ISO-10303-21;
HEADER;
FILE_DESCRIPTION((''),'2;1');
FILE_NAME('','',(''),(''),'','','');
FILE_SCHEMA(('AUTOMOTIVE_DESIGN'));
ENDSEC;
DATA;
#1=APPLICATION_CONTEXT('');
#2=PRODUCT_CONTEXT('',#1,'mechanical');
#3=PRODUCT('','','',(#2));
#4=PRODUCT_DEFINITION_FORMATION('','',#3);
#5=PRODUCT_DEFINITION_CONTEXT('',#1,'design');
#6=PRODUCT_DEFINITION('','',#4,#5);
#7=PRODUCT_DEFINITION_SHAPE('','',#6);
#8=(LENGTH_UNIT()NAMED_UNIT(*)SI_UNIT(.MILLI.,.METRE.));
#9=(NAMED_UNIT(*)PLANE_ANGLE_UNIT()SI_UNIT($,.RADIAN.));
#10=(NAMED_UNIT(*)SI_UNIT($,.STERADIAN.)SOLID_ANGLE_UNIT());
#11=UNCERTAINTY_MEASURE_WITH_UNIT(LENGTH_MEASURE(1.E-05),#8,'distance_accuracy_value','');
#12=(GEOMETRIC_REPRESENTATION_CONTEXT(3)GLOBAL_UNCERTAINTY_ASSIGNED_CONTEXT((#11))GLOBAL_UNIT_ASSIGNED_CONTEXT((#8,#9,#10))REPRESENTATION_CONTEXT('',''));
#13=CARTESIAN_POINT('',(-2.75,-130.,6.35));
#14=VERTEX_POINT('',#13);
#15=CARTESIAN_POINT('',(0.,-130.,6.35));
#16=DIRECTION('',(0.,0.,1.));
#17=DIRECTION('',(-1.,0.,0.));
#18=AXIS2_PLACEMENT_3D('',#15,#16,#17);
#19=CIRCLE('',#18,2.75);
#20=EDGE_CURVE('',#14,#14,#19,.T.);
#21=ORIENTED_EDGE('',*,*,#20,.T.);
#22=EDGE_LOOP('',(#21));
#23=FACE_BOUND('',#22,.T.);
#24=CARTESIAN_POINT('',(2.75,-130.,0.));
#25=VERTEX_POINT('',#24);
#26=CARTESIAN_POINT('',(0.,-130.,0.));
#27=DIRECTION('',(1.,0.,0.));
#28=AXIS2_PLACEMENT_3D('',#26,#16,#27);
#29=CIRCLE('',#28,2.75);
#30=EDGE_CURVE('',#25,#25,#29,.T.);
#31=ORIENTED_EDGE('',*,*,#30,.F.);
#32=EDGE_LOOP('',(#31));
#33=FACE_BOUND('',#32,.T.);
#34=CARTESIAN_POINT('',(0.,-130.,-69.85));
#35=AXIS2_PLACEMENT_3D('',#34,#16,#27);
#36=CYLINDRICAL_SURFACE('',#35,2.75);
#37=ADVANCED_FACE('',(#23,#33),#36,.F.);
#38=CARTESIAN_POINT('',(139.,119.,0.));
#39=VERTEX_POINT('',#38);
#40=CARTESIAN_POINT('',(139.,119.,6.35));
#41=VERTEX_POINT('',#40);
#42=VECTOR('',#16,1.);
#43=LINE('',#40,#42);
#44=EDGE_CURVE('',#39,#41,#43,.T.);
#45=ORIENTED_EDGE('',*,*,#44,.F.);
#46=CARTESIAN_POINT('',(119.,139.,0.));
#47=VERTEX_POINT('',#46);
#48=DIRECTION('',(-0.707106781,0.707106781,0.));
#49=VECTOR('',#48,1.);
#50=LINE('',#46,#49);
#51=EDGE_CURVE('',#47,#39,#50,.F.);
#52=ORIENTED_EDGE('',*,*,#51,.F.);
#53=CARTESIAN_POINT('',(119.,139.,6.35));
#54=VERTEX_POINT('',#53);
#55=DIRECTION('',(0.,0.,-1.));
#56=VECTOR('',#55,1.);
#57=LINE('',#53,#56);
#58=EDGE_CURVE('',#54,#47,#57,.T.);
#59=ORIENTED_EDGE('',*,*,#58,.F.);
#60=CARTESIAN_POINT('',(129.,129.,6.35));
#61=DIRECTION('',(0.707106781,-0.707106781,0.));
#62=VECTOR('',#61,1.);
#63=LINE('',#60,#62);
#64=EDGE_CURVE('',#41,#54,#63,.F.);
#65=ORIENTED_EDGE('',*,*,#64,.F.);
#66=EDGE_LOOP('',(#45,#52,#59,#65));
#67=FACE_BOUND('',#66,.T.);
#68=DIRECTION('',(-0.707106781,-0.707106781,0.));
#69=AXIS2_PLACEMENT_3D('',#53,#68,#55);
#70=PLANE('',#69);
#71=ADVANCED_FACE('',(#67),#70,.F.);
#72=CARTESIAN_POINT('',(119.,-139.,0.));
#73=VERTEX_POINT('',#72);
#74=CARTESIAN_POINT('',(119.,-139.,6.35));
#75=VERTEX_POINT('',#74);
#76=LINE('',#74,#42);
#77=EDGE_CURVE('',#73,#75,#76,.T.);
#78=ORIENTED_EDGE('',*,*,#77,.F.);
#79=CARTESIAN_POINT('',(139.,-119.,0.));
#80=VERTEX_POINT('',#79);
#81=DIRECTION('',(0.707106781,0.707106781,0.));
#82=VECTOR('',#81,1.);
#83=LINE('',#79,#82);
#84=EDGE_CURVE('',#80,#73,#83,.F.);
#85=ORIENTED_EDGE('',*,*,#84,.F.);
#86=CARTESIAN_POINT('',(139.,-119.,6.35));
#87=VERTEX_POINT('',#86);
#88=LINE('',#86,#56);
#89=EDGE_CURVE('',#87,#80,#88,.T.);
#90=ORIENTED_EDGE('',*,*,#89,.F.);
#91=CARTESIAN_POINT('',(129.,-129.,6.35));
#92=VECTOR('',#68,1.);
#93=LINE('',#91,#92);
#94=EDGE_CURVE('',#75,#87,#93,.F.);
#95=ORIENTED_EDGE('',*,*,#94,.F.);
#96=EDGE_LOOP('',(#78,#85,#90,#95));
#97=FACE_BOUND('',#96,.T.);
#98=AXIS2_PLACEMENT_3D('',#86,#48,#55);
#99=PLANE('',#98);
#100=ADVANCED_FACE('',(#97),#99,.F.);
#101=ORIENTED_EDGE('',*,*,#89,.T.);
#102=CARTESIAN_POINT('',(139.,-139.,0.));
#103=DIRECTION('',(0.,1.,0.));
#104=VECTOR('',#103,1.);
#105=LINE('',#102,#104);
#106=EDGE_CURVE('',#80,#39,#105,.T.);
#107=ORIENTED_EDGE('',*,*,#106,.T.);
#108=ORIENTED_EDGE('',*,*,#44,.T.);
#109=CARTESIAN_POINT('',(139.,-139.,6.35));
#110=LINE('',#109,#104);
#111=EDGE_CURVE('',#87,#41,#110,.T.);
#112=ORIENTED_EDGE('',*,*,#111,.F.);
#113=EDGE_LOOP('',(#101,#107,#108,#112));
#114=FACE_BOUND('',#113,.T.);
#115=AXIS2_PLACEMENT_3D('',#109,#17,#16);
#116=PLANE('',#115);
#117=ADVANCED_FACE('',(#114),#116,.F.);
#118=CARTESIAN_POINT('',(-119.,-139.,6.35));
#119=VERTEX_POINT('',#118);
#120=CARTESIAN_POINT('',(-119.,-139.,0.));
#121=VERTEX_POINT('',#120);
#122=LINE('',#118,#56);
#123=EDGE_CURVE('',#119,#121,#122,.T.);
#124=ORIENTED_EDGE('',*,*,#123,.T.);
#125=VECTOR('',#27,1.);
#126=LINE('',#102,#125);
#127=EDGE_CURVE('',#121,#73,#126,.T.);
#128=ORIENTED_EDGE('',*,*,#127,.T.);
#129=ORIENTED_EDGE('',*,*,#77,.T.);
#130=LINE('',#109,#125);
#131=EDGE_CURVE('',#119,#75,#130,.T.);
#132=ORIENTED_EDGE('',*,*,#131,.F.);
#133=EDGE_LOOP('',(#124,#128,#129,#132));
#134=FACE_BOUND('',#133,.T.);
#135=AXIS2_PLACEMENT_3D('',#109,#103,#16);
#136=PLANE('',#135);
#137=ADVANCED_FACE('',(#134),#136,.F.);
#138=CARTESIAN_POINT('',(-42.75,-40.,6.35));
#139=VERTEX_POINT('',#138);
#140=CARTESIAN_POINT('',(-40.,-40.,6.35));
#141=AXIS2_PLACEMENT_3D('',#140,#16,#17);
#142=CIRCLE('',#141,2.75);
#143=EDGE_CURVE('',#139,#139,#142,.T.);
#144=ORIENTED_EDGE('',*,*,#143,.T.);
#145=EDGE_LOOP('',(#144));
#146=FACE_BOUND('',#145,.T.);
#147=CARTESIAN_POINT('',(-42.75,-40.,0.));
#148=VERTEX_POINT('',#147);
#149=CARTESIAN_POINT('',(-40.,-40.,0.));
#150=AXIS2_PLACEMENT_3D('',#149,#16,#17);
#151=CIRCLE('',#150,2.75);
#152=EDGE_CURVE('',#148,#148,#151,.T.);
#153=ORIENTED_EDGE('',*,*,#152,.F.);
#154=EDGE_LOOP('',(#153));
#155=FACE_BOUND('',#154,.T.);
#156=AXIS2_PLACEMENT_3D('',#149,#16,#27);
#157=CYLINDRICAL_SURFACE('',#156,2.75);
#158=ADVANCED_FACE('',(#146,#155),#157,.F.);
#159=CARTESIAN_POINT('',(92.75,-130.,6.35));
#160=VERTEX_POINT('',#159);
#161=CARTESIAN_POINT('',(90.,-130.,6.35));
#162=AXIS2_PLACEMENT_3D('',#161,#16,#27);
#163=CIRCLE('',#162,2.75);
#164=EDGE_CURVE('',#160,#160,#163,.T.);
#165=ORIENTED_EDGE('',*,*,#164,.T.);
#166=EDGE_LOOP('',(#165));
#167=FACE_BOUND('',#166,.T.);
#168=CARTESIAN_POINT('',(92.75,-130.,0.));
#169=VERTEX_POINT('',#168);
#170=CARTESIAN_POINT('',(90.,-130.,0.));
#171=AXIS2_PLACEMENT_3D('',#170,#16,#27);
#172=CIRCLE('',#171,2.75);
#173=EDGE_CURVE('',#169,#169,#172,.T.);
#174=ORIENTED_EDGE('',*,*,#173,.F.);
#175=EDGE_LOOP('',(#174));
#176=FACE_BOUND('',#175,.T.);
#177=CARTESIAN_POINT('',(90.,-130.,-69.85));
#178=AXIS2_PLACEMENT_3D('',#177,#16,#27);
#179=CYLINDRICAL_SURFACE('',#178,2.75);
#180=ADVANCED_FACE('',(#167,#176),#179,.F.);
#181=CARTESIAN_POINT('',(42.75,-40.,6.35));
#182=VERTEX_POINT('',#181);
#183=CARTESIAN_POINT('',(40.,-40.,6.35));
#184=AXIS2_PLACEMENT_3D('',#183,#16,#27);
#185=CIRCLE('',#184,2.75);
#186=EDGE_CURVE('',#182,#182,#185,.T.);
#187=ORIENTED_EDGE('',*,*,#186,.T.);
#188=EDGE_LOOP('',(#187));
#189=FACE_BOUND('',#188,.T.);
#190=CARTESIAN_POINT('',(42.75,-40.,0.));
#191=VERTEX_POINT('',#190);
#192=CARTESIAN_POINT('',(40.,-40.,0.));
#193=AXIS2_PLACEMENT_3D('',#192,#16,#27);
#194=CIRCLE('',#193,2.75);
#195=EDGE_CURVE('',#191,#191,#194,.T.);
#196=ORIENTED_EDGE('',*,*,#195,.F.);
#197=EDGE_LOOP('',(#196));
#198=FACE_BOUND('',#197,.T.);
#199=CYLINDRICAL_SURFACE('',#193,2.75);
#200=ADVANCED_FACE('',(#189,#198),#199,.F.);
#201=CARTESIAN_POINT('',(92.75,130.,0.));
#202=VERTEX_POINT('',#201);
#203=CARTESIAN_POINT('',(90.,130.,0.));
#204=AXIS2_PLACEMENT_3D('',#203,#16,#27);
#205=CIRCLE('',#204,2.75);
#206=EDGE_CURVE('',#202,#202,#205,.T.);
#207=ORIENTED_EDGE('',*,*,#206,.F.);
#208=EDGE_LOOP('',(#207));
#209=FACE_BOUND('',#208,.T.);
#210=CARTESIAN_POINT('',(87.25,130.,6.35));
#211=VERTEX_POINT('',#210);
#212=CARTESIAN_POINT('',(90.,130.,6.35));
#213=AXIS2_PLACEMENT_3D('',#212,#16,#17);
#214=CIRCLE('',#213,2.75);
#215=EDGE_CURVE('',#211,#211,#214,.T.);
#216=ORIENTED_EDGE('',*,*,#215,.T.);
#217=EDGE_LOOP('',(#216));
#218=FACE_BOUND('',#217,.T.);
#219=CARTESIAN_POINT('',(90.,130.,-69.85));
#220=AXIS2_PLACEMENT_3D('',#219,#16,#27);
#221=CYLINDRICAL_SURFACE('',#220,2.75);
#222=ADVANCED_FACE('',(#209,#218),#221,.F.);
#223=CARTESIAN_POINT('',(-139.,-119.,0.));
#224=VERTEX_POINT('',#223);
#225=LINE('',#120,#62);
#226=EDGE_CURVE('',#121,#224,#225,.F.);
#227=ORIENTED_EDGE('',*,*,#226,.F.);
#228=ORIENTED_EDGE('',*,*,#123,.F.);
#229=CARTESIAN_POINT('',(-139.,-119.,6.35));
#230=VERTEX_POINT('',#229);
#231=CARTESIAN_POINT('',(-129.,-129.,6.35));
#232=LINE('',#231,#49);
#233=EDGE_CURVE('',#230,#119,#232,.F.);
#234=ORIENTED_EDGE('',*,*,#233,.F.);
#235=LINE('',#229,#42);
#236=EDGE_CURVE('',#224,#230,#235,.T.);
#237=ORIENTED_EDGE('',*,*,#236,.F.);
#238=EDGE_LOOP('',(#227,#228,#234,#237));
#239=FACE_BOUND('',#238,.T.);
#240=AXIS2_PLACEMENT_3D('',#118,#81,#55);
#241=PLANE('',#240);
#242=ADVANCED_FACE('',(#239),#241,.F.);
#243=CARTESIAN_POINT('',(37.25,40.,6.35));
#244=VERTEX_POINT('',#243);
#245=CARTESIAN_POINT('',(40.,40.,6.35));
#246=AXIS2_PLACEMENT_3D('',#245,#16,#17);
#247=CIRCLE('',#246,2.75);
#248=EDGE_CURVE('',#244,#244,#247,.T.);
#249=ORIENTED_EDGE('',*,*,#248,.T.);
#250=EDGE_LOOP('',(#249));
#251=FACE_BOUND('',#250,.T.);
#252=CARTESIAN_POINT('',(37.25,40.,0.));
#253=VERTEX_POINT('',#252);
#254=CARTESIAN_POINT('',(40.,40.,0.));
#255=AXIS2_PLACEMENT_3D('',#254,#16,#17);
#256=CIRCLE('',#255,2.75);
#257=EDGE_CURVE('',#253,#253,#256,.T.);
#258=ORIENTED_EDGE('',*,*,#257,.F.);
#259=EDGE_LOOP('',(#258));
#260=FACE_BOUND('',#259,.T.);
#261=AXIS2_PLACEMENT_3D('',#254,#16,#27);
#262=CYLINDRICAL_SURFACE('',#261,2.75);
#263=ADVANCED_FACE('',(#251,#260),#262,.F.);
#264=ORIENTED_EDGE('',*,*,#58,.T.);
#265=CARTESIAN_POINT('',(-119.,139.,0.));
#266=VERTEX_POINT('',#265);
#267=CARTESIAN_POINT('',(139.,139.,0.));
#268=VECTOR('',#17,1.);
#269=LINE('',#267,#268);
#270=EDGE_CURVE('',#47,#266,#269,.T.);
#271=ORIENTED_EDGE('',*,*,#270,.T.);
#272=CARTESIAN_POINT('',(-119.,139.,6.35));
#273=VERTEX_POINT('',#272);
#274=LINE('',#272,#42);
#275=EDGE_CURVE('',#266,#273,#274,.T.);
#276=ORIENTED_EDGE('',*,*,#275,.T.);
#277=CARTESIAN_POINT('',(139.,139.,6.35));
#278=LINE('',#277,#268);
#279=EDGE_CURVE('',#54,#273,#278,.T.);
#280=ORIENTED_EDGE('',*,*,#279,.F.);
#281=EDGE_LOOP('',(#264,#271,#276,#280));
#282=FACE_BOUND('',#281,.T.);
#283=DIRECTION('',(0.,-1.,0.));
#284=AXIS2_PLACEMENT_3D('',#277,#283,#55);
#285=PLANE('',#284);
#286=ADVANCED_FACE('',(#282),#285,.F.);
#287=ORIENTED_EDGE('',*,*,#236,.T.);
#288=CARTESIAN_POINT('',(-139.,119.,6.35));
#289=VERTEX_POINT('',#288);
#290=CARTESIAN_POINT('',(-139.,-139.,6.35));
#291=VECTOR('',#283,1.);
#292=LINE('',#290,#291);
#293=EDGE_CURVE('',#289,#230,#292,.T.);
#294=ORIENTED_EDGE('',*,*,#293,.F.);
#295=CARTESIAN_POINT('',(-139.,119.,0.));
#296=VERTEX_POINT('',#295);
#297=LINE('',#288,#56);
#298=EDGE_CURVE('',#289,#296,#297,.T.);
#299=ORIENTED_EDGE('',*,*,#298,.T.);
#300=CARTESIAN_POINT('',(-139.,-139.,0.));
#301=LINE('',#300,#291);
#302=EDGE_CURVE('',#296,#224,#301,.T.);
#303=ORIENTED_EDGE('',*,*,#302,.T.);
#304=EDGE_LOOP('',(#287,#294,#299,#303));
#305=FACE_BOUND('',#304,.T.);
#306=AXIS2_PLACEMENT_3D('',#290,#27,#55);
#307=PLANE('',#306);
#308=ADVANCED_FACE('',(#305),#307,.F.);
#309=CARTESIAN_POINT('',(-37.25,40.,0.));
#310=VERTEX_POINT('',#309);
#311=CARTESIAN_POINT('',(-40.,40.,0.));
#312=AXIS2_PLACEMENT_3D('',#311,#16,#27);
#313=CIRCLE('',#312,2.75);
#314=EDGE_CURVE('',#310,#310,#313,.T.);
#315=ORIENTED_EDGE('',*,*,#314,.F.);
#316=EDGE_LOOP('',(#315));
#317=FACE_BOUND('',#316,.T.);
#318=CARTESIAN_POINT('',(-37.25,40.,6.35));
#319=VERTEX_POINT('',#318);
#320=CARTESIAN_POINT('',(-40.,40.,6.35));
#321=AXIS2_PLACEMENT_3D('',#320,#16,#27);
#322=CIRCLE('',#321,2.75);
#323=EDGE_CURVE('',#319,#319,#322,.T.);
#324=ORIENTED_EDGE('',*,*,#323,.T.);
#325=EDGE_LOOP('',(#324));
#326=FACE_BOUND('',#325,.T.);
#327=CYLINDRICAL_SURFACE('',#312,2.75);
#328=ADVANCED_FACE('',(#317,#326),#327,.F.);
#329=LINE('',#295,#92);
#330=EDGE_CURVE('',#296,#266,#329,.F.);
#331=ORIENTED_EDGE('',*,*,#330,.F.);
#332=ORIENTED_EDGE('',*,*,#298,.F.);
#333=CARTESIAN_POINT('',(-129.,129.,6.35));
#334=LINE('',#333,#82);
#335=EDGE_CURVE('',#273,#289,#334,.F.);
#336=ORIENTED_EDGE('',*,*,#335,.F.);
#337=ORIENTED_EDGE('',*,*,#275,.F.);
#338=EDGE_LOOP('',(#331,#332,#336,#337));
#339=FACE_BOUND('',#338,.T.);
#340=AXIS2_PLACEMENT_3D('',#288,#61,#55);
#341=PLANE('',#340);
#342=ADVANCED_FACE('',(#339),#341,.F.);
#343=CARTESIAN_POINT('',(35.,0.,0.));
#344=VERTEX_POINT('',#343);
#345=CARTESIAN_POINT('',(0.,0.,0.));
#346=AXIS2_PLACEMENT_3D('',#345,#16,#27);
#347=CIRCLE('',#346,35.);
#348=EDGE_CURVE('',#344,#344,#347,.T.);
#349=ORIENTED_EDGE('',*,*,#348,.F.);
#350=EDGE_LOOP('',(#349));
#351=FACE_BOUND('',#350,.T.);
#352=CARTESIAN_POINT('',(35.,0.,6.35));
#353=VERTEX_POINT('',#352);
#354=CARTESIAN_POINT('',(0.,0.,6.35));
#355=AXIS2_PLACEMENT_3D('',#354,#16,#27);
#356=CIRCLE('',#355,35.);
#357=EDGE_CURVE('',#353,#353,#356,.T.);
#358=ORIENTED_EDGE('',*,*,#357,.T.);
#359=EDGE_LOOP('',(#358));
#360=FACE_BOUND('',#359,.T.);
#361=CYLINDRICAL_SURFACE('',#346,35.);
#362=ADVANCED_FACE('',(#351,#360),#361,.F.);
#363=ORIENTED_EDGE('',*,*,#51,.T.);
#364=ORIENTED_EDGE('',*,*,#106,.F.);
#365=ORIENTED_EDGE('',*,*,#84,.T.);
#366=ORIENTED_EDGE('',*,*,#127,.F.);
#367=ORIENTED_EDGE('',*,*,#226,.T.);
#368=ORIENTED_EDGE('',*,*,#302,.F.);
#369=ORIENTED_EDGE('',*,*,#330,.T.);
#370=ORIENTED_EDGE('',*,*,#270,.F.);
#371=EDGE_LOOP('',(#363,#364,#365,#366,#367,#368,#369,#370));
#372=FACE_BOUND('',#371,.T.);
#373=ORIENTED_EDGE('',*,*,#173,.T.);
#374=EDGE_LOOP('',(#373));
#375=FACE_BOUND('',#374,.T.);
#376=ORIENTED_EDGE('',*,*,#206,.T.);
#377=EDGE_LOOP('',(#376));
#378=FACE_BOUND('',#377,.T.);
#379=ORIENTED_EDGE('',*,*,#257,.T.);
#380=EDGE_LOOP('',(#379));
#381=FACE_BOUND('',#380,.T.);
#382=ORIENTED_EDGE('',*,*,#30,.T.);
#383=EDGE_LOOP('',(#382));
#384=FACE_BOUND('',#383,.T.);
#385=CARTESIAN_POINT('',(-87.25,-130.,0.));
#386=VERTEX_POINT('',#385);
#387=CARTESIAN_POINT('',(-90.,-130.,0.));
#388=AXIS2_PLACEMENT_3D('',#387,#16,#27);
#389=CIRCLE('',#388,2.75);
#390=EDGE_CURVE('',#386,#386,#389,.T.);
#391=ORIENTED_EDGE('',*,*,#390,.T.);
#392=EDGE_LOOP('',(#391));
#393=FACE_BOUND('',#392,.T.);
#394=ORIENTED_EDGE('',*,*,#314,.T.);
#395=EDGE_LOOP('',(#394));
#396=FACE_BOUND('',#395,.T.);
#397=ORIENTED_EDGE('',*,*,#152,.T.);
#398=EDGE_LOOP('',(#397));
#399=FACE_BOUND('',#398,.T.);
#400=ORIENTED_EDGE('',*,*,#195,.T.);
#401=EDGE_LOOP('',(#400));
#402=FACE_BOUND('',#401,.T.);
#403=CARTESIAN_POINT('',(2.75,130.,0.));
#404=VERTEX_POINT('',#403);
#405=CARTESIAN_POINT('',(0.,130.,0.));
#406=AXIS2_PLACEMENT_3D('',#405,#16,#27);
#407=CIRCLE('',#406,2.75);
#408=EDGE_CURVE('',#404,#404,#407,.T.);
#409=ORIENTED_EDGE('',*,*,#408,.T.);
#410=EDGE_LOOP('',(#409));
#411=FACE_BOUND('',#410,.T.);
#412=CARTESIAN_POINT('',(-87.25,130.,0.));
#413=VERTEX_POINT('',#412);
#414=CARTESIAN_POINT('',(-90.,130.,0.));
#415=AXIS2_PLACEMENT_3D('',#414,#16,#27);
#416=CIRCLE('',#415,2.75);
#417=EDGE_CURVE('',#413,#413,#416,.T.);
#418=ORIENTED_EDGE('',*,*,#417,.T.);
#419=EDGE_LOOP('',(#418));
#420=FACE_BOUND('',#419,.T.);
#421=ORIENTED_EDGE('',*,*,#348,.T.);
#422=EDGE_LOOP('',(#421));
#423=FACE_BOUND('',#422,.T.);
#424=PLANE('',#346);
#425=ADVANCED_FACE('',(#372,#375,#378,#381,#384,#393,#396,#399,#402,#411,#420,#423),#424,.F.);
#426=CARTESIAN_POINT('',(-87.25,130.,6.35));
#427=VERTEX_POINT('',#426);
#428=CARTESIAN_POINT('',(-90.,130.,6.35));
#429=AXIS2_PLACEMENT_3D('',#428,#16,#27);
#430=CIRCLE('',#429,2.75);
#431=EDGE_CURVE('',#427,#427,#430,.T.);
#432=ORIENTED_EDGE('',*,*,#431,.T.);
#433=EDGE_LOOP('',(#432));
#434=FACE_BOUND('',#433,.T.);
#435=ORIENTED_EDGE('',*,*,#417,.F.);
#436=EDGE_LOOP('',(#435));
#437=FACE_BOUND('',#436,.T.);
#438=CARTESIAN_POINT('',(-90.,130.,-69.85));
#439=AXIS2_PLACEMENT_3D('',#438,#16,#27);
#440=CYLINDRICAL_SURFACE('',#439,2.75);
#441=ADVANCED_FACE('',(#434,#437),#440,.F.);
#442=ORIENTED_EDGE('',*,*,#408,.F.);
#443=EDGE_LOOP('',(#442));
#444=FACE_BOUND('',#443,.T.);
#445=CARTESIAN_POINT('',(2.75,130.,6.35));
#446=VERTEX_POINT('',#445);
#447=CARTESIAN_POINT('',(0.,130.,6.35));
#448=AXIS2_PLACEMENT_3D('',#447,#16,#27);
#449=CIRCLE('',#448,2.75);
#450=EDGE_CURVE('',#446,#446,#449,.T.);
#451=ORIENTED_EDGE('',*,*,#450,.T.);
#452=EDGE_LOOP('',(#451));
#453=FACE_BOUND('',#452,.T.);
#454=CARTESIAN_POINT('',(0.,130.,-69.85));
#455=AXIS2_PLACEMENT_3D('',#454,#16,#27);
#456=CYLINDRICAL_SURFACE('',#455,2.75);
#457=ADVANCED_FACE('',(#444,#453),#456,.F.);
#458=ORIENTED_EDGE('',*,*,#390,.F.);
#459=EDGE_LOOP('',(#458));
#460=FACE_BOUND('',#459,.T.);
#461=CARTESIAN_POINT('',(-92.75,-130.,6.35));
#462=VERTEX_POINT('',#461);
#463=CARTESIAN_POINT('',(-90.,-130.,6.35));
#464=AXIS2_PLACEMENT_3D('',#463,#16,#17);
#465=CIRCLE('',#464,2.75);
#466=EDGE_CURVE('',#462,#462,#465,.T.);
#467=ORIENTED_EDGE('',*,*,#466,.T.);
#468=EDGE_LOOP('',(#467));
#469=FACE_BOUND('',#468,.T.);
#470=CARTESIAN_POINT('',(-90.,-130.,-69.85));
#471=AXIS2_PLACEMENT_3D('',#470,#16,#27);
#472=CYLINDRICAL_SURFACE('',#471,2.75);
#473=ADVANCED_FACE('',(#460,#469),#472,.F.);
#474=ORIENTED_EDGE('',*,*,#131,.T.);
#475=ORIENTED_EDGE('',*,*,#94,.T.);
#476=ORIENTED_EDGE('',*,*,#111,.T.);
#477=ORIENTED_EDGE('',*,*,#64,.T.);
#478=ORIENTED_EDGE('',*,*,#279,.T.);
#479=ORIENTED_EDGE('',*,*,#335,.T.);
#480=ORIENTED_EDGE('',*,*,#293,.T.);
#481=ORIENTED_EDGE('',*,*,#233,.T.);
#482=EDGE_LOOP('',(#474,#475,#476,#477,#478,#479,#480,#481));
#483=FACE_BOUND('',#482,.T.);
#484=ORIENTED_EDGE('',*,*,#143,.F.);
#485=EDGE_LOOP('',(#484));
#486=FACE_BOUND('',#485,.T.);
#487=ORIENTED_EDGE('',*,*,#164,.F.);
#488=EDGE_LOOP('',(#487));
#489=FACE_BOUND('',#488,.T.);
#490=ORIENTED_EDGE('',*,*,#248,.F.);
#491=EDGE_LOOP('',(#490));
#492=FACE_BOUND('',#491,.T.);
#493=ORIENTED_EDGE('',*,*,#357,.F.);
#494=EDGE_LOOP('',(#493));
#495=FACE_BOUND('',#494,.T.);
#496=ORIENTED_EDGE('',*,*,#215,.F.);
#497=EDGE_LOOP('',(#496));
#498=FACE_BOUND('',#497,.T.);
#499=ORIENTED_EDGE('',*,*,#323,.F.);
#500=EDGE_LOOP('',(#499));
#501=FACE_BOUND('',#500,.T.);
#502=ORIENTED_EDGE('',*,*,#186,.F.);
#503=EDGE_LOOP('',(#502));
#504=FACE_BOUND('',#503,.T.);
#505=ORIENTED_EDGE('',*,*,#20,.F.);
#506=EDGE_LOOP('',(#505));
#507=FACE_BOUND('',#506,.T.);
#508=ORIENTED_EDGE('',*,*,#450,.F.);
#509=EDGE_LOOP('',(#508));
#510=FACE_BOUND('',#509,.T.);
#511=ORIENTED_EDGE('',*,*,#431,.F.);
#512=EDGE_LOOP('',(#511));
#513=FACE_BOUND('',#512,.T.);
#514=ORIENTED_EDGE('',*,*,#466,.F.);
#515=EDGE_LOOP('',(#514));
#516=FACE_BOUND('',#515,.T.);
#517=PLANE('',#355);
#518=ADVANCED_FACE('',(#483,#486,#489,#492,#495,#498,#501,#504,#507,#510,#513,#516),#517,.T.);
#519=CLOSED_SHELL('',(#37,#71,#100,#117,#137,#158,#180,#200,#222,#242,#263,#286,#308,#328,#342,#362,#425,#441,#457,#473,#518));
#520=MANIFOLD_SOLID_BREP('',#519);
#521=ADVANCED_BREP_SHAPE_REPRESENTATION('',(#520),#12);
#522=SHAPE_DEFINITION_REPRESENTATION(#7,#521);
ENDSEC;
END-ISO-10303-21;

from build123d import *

# Parameters (mm, degrees)
SKETCH1_W           = 278
SKETCH1_H           = 278
BOSS_EXTRUDE1_DEPTH = 6.35
SKETCH2_R           = 35
SKETCH2_R_2         = 2.75
CUT_EXTRUDE1_DEPTH  = 7.35
CHAMFER1_SIZE       = 20
SKETCH4_R           = 2.75
CUT_EXTRUDE2_DEPTH  = 76.2


with BuildPart() as part:
    # Sketch1 → Boss-Extrude1 (new body)
    with BuildSketch(Plane.XY):
        Rectangle(SKETCH1_W, SKETCH1_H)
    extrude(amount=BOSS_EXTRUDE1_DEPTH)

    # Sketch2 → Cut-Extrude1 (cut, through all)
    with BuildSketch(Plane.XY.offset(6.35)):
        Circle(SKETCH2_R)
        with Locations((-40, 40)):
            Circle(SKETCH2_R_2)
        with Locations((40, 40)):
            Circle(SKETCH2_R_2)
        with Locations((40, -40)):
            Circle(SKETCH2_R_2)
        with Locations((-40, -40)):
            Circle(SKETCH2_R_2)
    extrude(amount=-CUT_EXTRUDE1_DEPTH, mode=Mode.SUBTRACT)

    # Chamfer1
    chamfer1_edges = [part.edges().sort_by_distance(p)[0] for p in [
        (-139, 139, 3.175),
        (139, 139, 3.175),
        (139, -139, 3.175),
        (-139, -139, 3.175),
    ]]
    chamfer(chamfer1_edges, length=CHAMFER1_SIZE)

    # Sketch4 → Cut-Extrude2 (cut)
    with BuildSketch(Plane.XY.offset(6.35)):
        with Locations((-90, 130)):
            Circle(SKETCH4_R)
        with Locations((0, 130)):
            Circle(SKETCH4_R)
        with Locations((90, 130)):
            Circle(SKETCH4_R)
        with Locations((90, -130)):
            Circle(SKETCH4_R)
        with Locations((0, -130)):
            Circle(SKETCH4_R)
        with Locations((-90, -130)):
            Circle(SKETCH4_R)
    extrude(amount=-CUT_EXTRUDE2_DEPTH, mode=Mode.SUBTRACT)


solid = part.part
